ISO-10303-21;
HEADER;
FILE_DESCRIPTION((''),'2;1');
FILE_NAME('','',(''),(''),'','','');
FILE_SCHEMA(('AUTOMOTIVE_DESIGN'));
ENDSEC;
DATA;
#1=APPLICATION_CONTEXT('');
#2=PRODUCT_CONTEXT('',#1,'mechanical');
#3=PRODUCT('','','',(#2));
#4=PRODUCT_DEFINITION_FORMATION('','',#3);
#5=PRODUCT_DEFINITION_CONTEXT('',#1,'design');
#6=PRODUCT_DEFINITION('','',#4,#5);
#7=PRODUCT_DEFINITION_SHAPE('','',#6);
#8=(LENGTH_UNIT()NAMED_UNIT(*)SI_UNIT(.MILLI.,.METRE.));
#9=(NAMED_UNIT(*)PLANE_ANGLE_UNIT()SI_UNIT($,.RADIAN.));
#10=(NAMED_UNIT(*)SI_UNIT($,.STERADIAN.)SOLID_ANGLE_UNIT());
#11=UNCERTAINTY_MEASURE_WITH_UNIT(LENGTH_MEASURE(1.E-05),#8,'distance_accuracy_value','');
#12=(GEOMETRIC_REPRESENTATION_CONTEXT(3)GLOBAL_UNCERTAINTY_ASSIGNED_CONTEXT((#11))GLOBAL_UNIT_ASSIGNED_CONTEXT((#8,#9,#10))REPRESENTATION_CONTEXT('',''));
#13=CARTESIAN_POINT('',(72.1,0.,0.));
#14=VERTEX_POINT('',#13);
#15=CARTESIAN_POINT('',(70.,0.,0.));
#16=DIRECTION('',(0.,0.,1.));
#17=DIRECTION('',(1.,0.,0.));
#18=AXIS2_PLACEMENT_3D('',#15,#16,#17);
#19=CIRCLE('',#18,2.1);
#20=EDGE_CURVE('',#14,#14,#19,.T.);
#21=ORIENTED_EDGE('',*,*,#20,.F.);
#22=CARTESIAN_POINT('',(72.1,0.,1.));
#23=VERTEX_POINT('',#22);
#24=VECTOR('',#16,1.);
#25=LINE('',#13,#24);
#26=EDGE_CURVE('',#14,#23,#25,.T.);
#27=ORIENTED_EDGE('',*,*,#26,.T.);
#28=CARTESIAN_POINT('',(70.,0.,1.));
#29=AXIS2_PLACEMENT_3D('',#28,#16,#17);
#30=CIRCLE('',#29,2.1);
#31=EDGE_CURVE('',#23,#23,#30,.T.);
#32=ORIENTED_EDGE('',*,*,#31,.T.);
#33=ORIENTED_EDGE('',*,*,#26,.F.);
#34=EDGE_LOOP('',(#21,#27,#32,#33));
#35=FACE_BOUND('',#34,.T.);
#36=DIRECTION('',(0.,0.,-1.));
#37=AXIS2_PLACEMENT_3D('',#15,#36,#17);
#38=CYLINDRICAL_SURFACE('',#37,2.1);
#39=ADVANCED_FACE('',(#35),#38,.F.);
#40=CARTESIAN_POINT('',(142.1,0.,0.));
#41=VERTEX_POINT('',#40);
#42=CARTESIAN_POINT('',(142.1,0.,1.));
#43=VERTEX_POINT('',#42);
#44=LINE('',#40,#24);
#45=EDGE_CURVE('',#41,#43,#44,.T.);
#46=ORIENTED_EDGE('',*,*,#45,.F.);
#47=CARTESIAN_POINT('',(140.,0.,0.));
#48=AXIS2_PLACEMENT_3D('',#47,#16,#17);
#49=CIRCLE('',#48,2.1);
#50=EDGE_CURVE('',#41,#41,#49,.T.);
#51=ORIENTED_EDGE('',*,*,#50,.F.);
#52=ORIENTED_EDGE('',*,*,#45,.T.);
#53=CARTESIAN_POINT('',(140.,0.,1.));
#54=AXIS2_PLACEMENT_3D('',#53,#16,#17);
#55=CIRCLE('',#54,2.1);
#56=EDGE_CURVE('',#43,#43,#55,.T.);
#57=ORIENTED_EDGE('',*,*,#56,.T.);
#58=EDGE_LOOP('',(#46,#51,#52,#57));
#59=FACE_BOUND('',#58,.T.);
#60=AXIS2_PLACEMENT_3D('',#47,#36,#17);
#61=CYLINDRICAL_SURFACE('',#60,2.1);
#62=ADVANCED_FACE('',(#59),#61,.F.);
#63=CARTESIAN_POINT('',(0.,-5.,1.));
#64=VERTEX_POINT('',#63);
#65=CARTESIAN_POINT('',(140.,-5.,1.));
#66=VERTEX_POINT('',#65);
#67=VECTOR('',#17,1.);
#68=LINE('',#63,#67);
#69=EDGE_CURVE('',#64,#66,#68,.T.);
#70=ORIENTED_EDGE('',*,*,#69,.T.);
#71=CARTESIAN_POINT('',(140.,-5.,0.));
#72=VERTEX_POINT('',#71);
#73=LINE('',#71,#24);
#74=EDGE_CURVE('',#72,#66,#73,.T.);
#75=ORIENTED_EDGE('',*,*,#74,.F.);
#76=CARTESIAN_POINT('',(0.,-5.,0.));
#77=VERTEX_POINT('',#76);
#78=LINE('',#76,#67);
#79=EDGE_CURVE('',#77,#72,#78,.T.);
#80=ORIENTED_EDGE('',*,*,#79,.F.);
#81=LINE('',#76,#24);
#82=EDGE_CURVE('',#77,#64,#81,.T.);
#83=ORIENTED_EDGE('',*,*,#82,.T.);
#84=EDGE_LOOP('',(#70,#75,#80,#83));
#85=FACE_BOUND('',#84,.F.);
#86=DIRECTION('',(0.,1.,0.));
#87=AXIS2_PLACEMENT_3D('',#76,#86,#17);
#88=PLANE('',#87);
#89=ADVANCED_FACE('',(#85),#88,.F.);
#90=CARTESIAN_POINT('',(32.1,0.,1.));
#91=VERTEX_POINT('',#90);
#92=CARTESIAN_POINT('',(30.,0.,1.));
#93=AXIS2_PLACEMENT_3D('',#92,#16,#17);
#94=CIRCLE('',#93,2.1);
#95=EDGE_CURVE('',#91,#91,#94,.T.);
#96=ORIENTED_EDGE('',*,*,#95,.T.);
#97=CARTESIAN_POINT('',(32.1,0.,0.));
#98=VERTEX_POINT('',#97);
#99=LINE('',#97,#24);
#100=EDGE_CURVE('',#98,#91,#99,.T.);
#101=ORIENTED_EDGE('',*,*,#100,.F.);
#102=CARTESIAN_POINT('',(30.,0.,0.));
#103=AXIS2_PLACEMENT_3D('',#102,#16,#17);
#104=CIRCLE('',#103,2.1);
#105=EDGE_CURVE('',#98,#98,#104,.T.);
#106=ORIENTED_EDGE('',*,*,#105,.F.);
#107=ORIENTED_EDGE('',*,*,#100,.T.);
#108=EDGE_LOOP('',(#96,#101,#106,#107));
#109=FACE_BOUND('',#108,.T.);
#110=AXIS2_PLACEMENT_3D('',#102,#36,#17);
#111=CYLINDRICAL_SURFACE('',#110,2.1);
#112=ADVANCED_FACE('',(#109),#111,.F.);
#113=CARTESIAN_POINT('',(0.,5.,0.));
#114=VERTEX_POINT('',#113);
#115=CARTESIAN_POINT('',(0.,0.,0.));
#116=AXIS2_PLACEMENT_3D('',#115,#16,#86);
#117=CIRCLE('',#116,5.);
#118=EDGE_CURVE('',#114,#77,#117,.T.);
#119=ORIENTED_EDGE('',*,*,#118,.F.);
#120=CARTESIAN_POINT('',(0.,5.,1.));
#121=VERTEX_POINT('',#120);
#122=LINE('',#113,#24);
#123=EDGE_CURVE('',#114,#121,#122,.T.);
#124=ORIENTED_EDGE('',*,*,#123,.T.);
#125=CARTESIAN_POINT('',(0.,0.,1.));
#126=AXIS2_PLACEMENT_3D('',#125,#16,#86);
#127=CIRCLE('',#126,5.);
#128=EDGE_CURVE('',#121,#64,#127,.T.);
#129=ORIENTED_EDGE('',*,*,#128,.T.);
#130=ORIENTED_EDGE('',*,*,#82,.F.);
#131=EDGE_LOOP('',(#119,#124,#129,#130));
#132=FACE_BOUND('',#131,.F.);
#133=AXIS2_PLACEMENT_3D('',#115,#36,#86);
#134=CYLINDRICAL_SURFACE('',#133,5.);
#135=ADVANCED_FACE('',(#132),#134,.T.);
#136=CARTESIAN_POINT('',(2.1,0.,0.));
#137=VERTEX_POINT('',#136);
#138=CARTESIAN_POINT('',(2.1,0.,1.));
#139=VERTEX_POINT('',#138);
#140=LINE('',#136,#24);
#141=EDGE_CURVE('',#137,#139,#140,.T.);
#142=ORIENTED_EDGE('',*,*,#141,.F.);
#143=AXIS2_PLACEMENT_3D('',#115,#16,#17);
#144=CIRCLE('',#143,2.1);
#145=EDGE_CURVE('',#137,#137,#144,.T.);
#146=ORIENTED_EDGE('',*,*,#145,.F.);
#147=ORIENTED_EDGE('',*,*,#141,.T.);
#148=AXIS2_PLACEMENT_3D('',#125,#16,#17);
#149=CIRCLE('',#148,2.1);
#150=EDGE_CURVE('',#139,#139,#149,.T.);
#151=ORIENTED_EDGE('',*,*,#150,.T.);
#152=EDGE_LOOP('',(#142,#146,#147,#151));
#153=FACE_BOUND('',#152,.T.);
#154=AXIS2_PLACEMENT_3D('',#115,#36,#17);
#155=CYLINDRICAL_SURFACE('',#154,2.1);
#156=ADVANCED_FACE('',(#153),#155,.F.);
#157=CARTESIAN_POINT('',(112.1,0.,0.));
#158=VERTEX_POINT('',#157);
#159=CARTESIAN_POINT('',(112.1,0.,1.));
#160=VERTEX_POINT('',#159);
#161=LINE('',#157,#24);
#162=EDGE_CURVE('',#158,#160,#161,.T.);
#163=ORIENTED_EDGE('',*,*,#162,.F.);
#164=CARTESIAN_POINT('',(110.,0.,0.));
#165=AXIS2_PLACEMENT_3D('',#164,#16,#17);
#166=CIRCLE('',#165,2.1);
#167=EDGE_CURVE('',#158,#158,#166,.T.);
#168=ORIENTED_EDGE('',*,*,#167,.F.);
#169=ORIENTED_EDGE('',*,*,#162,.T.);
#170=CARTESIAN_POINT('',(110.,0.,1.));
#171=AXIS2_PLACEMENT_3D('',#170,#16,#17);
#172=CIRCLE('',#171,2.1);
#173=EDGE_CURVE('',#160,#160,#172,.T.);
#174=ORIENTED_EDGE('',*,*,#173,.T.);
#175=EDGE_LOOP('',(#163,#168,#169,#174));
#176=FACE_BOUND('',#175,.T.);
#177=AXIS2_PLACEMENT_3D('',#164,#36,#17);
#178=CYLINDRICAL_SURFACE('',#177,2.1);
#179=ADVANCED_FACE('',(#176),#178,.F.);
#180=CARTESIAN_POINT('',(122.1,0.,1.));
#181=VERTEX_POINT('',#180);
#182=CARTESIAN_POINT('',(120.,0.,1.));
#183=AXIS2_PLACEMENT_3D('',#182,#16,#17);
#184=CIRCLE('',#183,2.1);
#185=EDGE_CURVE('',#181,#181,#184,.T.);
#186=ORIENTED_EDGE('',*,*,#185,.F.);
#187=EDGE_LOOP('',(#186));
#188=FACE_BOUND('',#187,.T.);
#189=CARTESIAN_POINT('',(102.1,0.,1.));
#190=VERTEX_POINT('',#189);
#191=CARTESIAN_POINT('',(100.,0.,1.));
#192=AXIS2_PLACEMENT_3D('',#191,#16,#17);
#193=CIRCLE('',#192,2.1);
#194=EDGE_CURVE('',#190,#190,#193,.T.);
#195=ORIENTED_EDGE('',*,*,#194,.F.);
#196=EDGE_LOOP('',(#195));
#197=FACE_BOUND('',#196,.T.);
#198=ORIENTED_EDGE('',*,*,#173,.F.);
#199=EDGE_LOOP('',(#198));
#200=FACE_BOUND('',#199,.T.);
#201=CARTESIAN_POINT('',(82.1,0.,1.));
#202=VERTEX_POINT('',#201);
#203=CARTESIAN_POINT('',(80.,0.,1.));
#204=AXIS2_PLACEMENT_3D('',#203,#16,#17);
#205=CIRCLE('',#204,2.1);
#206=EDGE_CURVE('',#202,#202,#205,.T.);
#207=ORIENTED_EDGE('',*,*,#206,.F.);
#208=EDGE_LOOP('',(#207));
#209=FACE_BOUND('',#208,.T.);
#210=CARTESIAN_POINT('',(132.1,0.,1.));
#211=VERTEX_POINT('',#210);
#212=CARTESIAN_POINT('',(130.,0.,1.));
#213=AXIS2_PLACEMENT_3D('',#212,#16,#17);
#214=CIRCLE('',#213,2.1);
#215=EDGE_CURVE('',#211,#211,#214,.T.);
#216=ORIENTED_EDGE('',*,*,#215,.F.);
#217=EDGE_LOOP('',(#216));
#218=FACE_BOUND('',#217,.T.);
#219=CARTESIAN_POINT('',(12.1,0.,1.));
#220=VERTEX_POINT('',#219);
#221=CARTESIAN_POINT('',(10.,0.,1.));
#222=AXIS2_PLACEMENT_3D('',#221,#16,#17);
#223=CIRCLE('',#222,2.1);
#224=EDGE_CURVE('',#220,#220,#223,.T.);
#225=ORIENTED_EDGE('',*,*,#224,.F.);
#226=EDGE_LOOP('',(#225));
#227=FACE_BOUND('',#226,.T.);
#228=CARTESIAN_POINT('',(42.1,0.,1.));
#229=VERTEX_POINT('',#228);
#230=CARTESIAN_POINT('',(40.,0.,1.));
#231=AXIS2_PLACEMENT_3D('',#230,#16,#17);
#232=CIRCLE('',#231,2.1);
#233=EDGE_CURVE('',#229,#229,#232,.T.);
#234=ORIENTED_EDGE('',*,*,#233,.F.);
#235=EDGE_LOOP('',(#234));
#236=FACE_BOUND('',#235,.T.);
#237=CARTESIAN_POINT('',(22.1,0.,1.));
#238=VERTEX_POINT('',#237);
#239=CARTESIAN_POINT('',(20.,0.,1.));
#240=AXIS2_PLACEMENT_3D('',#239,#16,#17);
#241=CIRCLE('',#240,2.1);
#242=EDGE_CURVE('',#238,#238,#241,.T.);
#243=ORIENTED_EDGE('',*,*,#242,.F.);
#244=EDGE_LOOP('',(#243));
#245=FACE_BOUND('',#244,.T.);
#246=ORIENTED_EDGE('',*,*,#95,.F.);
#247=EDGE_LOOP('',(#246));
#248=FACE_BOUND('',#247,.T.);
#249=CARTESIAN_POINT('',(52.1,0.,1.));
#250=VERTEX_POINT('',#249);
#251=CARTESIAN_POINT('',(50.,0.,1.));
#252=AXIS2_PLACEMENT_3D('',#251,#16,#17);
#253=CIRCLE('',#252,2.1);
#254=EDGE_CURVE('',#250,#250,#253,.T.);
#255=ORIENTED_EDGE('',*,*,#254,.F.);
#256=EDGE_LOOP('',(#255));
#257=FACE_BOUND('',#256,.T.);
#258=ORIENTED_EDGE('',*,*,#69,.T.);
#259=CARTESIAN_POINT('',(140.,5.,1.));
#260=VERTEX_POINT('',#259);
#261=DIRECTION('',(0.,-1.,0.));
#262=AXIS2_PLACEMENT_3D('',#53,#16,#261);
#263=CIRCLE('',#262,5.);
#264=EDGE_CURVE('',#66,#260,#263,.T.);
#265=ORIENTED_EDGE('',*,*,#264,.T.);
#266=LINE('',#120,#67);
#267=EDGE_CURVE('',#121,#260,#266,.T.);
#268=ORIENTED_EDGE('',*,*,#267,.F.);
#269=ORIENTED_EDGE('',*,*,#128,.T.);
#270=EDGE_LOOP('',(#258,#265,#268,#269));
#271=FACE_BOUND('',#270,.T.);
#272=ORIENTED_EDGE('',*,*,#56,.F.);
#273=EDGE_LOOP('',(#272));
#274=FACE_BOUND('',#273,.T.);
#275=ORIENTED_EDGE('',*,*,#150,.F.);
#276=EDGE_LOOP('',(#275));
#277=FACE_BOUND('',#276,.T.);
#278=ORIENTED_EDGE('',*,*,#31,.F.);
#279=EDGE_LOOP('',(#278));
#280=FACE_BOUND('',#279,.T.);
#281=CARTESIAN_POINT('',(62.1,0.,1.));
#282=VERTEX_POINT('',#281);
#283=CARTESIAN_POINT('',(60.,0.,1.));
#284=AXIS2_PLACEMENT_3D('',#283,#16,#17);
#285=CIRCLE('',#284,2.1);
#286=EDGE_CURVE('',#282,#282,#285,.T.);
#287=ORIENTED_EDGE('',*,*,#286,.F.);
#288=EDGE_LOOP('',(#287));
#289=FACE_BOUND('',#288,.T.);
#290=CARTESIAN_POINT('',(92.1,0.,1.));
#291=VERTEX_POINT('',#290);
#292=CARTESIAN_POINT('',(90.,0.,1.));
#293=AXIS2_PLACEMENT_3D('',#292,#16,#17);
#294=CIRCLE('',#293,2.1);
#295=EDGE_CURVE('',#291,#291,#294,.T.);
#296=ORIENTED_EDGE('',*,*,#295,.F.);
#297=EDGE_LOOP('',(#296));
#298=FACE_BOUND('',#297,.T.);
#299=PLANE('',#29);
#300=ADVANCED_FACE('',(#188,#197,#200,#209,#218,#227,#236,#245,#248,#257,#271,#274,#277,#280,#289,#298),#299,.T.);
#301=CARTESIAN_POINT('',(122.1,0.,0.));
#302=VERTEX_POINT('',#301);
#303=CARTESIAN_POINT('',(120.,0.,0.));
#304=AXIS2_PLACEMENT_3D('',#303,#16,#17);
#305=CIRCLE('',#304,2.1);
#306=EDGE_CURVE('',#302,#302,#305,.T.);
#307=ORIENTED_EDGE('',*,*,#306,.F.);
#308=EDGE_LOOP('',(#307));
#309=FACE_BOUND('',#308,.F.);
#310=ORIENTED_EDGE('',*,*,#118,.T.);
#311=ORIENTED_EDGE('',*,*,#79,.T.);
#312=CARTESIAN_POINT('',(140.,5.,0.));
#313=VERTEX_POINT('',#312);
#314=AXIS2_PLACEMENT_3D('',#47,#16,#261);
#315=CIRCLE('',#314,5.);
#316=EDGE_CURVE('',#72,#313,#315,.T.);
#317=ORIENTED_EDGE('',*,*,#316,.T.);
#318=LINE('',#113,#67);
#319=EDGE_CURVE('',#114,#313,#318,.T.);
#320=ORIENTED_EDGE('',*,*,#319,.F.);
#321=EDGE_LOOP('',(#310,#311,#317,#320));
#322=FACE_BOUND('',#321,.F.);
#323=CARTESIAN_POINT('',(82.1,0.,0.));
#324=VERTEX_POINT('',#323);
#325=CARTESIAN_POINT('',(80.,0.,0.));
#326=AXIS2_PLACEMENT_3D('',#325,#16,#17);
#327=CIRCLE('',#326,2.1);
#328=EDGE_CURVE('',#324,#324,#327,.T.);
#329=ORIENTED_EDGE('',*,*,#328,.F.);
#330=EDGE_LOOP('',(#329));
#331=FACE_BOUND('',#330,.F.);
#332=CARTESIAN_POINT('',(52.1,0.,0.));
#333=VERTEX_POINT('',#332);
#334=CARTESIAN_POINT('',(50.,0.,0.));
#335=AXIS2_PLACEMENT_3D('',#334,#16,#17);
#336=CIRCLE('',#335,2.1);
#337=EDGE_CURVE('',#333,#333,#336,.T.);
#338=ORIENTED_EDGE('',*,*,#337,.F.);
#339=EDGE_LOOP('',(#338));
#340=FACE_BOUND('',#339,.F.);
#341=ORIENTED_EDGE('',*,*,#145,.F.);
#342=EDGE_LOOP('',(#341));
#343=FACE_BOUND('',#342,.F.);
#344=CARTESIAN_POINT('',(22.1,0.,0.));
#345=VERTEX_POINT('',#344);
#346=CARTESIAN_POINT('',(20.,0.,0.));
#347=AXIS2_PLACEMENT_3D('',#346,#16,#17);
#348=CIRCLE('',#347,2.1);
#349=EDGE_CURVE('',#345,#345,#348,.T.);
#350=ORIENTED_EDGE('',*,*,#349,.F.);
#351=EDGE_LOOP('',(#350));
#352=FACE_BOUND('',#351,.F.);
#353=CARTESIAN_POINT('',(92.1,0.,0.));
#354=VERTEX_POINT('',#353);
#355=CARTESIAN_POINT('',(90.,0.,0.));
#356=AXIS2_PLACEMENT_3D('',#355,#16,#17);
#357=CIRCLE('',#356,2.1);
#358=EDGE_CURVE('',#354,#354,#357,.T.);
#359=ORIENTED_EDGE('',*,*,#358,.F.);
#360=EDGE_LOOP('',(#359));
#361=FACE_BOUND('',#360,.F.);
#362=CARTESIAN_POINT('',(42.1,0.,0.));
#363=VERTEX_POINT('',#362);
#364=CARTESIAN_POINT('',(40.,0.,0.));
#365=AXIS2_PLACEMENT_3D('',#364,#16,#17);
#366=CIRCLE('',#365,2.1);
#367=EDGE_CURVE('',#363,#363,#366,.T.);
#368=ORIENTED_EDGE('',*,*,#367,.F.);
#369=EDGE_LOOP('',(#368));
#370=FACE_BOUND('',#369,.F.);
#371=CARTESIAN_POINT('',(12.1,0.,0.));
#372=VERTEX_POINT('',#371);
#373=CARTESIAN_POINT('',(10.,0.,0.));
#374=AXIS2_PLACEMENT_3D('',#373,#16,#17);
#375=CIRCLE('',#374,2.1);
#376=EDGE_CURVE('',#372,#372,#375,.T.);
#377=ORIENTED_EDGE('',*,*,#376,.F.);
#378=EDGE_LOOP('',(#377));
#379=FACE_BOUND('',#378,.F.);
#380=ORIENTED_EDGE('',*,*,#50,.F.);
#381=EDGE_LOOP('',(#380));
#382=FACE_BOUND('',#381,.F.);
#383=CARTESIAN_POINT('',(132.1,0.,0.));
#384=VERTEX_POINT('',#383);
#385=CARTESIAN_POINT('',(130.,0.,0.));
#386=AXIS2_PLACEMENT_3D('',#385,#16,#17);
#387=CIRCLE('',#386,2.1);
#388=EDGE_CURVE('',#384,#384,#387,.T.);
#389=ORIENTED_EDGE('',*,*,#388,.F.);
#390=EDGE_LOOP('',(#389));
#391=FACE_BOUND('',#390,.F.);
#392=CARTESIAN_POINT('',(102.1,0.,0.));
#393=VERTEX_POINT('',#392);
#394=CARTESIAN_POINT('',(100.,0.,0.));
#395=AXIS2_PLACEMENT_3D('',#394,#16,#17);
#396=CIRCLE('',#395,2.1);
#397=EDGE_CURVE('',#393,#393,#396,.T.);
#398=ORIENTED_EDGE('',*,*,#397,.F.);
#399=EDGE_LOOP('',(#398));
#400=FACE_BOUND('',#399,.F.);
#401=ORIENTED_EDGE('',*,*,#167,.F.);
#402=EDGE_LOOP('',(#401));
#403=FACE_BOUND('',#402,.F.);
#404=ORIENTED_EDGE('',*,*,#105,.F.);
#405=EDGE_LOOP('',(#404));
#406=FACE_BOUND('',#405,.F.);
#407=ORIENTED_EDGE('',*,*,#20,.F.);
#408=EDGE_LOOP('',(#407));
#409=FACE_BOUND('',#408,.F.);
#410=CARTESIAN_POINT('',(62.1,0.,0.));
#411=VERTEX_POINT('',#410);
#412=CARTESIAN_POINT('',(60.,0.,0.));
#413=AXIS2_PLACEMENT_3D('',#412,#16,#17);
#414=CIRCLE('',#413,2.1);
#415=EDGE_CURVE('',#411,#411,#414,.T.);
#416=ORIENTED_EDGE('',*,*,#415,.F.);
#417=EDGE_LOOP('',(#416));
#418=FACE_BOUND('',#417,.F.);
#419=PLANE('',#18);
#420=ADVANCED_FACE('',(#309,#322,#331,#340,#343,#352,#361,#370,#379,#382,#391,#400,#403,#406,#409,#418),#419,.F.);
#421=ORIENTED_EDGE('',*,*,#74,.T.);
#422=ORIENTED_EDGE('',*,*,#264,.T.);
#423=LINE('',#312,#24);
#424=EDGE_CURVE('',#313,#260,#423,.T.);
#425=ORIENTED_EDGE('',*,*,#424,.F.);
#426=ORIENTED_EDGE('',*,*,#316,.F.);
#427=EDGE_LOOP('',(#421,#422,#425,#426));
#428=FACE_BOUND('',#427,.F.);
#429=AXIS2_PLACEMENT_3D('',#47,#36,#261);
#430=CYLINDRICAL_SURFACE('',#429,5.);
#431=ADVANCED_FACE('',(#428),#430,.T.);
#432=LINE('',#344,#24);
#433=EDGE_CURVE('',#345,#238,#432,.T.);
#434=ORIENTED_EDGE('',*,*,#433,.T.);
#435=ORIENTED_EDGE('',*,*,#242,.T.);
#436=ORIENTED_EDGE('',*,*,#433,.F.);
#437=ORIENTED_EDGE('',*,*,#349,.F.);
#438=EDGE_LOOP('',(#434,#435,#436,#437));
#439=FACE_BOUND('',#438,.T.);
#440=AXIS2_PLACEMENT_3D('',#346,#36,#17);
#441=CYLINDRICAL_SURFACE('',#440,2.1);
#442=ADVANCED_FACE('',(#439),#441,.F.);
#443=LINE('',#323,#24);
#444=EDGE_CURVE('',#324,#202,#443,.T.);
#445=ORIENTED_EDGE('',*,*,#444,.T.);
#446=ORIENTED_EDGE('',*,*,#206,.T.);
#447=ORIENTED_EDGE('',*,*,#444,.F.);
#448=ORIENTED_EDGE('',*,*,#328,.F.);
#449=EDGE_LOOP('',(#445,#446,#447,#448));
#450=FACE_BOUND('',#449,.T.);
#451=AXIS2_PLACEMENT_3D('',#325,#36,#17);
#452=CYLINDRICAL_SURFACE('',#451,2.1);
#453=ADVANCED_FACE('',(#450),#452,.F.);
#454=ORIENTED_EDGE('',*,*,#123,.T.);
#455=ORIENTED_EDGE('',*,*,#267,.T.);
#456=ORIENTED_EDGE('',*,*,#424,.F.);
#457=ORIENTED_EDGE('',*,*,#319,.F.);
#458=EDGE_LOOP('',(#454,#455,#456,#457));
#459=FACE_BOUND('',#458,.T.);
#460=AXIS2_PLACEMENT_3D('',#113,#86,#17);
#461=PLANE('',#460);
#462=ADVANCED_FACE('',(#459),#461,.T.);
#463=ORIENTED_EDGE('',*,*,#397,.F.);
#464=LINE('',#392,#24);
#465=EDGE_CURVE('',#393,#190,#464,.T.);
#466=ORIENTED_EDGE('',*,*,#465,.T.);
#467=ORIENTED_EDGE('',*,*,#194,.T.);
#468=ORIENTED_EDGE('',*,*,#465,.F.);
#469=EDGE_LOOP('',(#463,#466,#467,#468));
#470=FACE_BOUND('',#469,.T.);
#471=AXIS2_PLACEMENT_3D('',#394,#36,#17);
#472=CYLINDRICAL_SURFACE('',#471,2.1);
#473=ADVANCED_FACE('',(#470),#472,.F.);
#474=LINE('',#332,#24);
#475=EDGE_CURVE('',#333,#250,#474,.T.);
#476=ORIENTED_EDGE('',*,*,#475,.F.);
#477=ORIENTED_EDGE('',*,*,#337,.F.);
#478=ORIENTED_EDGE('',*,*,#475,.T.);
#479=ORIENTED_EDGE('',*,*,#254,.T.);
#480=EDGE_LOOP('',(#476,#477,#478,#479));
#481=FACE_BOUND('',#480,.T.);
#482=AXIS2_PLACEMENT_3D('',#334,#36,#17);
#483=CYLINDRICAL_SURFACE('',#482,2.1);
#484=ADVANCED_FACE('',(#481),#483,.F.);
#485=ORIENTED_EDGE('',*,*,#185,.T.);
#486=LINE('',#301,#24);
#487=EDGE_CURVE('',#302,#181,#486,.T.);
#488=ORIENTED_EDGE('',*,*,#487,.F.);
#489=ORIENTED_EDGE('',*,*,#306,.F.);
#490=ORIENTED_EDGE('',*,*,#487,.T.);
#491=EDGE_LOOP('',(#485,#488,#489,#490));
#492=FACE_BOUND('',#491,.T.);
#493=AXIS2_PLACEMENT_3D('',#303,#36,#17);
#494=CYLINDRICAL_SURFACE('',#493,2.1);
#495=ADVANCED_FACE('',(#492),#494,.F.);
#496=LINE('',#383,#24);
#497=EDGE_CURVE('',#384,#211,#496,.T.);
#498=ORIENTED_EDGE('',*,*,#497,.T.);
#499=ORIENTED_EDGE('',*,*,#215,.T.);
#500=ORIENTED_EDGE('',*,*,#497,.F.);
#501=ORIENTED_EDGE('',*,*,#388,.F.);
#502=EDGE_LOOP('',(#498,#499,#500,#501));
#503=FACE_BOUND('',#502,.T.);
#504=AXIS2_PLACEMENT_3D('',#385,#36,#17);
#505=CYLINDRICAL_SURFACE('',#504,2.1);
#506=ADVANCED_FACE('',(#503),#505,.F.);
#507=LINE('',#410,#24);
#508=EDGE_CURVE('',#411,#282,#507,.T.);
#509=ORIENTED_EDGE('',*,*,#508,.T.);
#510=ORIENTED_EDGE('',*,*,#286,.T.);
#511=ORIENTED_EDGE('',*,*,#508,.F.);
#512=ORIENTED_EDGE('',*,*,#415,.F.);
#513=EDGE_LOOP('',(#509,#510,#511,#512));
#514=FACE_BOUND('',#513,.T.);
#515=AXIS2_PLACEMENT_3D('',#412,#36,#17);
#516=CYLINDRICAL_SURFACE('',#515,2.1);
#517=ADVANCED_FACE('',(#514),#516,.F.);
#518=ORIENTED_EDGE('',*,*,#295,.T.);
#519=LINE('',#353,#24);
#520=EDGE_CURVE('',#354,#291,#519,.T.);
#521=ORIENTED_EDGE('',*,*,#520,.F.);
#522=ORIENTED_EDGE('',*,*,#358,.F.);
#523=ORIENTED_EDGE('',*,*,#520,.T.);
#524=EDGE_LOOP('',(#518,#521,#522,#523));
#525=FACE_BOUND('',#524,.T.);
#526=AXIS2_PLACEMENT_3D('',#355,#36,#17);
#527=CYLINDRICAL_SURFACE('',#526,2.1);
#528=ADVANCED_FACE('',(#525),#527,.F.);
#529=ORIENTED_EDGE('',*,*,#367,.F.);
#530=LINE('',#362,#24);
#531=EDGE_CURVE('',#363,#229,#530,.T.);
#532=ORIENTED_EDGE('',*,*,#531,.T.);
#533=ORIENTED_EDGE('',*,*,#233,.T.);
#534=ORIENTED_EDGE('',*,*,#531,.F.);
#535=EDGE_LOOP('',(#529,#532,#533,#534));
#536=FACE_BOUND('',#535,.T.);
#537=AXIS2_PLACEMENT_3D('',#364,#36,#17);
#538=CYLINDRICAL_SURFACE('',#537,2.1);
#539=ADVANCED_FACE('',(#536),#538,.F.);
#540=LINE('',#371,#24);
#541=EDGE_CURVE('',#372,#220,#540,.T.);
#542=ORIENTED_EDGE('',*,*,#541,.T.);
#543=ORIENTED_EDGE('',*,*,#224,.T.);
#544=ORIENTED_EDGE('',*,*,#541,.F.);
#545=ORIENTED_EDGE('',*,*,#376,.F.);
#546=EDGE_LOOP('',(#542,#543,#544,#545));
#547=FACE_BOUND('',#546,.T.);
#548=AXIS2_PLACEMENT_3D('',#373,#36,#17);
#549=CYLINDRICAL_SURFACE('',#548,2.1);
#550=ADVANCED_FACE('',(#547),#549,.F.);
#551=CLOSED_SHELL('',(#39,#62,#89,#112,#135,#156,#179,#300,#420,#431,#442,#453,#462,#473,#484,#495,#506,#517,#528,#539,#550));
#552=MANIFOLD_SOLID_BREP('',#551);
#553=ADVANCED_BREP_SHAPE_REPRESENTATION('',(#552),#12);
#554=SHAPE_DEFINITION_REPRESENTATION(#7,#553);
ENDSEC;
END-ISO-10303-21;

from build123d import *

# Parameters (mm, degrees)
SKETCH_R  = 2.1
PAD_DEPTH = 1


with BuildPart() as part:
    # Sketch → Pad (new body)
    with BuildSketch(Plane.XY):
        with BuildLine():
            ThreePointArc((0, 5), (-5, 0), (0, -5))
            Line((0, -5), (140, -5))
            ThreePointArc((140, -5), (145, 0), (140, 5))
            Line((0, 5), (140, 5))
        make_face()
        Circle(SKETCH_R, mode=Mode.SUBTRACT)
        with Locations((10, 0)):
            Circle(SKETCH_R, mode=Mode.SUBTRACT)
        with Locations((20, 0)):
            Circle(SKETCH_R, mode=Mode.SUBTRACT)
        with Locations((30, 0)):
            Circle(SKETCH_R, mode=Mode.SUBTRACT)
        with Locations((40, 0)):
            Circle(SKETCH_R, mode=Mode.SUBTRACT)
        with Locations((50, 0)):
            Circle(SKETCH_R, mode=Mode.SUBTRACT)
        with Locations((60, 0)):
            Circle(SKETCH_R, mode=Mode.SUBTRACT)
        with Locations((70, 0)):
            Circle(SKETCH_R, mode=Mode.SUBTRACT)
        with Locations((80, 0)):
            Circle(SKETCH_R, mode=Mode.SUBTRACT)
        with Locations((90, 0)):
            Circle(SKETCH_R, mode=Mode.SUBTRACT)
        with Locations((100, 0)):
            Circle(SKETCH_R, mode=Mode.SUBTRACT)
        with Locations((110, 0)):
            Circle(SKETCH_R, mode=Mode.SUBTRACT)
        with Locations((120, 0)):
            Circle(SKETCH_R, mode=Mode.SUBTRACT)
        with Locations((130, 0)):
            Circle(SKETCH_R, mode=Mode.SUBTRACT)
        with Locations((140, 0)):
            Circle(SKETCH_R, mode=Mode.SUBTRACT)
    extrude(amount=PAD_DEPTH)


solid = part.part
